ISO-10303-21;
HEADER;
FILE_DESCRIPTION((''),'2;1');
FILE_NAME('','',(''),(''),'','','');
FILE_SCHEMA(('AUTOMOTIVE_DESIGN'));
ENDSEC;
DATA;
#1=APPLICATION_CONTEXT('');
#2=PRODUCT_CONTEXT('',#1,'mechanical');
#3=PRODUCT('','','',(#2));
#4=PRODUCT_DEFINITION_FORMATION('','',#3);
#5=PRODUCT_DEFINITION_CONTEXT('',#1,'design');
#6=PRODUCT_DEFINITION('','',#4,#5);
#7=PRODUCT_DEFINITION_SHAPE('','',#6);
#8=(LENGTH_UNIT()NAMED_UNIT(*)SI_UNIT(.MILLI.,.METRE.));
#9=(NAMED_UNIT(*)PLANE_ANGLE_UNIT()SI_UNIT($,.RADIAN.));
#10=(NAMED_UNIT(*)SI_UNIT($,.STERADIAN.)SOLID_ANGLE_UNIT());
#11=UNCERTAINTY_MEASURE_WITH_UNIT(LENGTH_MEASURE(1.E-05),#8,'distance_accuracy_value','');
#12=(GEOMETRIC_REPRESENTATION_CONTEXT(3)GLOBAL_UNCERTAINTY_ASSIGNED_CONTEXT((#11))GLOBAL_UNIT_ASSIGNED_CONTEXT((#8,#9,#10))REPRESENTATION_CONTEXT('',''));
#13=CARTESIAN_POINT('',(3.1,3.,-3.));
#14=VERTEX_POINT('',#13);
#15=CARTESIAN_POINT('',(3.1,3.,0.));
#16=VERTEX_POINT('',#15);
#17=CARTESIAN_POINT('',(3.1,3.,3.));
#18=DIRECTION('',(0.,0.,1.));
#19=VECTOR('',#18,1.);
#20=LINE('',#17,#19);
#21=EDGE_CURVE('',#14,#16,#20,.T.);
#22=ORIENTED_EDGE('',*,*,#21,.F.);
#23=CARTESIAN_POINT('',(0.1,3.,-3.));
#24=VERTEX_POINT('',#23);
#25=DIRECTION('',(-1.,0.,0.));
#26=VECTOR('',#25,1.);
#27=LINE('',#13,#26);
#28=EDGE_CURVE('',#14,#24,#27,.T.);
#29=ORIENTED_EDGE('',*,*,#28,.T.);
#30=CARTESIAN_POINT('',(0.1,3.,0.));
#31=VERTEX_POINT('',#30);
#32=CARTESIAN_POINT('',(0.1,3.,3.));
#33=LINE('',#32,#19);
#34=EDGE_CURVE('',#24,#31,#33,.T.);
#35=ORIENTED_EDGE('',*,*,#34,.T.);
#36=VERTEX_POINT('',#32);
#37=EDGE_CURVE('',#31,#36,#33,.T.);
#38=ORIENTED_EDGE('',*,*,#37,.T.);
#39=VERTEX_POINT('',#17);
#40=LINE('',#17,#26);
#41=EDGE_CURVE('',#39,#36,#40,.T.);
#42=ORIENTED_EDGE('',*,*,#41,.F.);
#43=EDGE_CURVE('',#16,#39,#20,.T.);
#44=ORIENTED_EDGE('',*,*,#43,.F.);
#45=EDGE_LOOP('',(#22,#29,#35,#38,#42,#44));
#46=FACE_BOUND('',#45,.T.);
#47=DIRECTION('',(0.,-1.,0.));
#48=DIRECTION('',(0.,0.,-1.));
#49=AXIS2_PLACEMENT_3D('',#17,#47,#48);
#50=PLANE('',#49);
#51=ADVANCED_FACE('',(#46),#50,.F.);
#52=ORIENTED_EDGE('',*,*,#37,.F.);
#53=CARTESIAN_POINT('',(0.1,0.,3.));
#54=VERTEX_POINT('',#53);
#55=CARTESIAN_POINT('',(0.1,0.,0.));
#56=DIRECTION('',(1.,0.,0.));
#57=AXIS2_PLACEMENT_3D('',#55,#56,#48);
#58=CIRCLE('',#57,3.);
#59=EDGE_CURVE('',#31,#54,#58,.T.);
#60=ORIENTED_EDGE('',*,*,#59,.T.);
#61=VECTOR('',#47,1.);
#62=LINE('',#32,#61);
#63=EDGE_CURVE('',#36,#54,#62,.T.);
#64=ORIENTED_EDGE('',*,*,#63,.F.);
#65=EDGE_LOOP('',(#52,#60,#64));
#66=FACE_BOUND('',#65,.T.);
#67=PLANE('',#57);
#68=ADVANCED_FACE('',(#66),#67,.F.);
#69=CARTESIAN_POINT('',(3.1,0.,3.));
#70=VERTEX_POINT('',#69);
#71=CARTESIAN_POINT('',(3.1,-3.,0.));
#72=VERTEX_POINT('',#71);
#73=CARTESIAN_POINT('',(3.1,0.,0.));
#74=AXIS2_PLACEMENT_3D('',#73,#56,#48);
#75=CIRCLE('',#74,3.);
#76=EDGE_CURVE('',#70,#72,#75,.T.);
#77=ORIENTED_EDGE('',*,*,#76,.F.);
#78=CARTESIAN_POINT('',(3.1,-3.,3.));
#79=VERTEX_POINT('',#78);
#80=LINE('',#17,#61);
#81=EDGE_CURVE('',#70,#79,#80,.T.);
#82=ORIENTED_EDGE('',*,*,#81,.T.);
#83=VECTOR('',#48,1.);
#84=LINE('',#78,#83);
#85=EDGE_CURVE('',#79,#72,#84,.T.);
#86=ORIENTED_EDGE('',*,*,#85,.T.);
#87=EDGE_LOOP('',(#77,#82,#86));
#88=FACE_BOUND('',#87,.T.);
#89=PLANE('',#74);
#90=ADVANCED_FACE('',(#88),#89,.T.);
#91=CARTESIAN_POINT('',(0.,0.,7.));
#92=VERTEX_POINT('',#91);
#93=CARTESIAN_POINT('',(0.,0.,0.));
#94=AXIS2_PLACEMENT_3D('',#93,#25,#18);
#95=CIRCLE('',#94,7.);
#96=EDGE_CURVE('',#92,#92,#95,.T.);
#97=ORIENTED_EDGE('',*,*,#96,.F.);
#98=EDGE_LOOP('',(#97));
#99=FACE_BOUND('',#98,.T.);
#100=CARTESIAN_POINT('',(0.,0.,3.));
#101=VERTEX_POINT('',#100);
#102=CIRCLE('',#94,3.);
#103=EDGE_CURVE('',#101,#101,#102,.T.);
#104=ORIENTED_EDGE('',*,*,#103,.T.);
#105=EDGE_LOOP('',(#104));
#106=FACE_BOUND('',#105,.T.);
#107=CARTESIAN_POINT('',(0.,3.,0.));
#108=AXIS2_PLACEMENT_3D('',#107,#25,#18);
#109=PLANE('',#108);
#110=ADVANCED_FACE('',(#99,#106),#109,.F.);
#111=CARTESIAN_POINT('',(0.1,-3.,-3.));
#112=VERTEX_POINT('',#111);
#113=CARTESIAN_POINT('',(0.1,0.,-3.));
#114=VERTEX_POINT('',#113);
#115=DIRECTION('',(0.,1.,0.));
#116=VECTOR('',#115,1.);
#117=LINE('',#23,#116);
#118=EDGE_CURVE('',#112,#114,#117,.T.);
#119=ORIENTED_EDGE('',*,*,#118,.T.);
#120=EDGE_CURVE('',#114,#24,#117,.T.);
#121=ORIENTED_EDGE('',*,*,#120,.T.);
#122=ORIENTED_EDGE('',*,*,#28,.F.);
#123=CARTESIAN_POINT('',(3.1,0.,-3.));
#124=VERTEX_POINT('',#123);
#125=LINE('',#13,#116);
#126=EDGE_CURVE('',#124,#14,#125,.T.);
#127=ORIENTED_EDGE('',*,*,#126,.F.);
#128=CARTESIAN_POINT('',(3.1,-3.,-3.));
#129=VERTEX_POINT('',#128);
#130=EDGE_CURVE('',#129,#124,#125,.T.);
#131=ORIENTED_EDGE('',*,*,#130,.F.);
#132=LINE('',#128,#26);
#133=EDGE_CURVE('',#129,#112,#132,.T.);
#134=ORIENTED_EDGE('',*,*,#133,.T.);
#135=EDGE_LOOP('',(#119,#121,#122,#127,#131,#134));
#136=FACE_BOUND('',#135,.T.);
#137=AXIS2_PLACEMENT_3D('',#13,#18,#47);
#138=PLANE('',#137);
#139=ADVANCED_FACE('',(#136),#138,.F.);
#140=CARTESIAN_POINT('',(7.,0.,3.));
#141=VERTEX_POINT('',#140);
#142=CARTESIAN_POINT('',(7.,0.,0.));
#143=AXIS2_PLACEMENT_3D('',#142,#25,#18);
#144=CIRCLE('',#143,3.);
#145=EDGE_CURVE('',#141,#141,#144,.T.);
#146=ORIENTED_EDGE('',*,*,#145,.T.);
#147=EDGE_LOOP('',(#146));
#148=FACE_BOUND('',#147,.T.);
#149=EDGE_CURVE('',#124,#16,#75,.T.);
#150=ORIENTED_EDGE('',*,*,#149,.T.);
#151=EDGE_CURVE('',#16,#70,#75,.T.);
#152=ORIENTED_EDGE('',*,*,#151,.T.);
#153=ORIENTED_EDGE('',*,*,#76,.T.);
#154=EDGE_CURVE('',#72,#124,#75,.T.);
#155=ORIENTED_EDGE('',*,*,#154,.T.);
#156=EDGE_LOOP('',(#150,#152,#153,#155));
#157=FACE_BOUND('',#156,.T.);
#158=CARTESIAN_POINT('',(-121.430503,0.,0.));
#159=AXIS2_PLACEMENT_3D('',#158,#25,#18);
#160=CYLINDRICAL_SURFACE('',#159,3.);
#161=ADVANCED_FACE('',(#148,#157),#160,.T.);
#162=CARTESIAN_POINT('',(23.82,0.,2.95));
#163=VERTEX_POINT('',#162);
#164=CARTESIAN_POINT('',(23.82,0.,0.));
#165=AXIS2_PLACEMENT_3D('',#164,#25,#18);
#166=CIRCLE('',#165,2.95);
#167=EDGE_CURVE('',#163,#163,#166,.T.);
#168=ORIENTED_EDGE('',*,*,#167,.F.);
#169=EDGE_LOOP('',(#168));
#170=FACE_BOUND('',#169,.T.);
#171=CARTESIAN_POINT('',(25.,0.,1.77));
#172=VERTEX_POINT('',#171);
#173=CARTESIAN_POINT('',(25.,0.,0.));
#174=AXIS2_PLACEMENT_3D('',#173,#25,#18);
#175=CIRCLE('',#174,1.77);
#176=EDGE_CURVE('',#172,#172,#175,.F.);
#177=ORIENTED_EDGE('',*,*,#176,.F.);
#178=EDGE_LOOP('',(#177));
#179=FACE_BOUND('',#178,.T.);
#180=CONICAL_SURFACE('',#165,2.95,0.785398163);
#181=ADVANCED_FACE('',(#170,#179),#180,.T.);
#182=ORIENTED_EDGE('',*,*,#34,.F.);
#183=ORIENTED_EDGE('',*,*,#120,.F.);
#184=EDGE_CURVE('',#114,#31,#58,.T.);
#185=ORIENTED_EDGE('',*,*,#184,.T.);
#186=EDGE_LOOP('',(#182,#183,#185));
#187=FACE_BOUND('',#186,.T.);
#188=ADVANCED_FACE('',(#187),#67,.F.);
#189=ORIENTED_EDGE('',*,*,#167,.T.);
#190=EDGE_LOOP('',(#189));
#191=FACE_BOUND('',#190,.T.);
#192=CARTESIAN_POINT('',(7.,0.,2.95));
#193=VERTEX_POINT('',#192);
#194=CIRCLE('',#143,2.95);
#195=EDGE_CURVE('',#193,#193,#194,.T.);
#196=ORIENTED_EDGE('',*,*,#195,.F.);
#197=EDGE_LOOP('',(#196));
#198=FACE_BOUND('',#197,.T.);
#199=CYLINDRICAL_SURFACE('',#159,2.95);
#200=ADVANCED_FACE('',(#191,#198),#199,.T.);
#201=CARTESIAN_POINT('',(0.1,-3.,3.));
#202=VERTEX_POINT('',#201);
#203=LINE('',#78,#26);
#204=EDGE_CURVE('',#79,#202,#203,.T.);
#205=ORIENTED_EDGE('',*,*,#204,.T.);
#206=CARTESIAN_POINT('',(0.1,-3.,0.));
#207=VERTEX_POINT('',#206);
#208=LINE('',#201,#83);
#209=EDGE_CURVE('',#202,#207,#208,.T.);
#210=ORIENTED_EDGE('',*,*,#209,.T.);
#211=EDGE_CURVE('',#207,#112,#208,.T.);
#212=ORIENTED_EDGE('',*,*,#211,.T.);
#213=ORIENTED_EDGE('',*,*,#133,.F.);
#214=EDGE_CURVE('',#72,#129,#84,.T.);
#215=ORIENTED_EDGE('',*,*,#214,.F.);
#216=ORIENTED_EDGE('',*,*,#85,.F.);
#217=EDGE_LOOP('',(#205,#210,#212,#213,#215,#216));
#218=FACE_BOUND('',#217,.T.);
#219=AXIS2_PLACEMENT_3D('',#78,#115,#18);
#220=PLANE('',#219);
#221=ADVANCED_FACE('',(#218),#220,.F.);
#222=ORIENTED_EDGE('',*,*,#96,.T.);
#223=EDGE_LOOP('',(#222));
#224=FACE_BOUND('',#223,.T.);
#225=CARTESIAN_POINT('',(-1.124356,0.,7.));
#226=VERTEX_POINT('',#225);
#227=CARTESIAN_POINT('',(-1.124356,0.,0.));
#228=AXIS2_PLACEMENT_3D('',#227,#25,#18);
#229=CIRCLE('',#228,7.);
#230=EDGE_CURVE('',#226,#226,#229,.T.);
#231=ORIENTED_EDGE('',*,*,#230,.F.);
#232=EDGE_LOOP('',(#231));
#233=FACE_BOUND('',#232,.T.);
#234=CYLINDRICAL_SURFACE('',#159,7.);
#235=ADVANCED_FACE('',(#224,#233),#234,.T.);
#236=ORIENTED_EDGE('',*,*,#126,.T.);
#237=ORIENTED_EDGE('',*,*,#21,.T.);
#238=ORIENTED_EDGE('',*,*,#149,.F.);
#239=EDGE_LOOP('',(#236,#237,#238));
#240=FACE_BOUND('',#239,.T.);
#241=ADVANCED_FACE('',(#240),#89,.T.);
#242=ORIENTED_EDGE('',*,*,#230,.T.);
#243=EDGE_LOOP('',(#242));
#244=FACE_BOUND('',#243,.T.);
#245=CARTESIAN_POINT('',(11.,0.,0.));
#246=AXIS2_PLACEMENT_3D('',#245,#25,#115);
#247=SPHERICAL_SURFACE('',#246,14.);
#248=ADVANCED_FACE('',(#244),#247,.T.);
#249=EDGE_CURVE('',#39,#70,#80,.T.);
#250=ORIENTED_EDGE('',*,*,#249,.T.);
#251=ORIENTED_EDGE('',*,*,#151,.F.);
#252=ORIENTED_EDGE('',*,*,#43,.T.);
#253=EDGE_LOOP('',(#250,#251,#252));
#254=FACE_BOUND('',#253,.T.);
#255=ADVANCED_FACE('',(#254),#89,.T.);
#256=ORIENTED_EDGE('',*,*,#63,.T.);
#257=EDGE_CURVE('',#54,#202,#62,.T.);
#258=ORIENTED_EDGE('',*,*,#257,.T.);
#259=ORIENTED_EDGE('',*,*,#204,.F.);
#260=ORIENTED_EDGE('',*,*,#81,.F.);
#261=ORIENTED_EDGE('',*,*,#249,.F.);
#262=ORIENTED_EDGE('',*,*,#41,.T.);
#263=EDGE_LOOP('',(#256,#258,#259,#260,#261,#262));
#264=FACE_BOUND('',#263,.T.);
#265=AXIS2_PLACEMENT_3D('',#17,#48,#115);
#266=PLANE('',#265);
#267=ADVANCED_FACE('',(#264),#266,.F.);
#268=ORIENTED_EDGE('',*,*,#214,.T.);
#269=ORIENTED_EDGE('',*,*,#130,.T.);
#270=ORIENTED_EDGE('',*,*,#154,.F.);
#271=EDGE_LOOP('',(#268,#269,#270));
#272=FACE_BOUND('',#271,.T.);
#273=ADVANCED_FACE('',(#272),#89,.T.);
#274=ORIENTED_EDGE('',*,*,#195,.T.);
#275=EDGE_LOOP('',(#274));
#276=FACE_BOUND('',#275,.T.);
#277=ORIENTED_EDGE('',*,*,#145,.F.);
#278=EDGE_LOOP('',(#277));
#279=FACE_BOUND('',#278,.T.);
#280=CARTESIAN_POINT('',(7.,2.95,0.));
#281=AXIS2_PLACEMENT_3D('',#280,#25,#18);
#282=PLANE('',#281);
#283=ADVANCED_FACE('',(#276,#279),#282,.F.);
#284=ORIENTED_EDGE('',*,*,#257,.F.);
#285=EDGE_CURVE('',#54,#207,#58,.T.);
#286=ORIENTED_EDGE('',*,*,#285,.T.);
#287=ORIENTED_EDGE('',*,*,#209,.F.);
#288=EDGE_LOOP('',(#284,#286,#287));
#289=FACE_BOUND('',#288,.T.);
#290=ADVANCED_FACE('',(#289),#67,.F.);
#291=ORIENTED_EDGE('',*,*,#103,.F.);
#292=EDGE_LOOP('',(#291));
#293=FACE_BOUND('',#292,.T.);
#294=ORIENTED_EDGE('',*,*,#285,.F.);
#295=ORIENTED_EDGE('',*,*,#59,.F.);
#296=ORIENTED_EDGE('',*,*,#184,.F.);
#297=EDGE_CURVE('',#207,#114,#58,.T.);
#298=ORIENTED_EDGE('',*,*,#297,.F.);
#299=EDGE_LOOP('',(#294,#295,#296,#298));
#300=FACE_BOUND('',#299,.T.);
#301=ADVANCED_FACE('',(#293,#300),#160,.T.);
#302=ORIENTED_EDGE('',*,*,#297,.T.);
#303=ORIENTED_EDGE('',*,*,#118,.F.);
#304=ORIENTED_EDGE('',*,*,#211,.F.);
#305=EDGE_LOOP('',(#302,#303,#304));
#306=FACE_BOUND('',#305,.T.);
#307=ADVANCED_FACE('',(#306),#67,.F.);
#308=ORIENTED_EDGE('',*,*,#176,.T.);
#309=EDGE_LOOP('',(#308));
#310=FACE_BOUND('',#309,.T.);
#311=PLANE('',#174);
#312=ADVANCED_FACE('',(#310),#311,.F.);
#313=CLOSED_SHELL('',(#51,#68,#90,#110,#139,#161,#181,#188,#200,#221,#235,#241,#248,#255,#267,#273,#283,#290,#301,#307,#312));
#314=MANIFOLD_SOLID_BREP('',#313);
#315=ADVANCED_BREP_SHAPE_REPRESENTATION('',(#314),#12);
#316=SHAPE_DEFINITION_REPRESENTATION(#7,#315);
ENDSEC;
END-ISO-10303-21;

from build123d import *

# Parameters (mm, degrees)
EXTRUDE_START   = 0.1
SKETCH_2_W      = 6
SKETCH_2_H      = 6
EXTRUDE_1_DEPTH = 3
CHAMFER_1_SIZE  = 1.18


with BuildPart() as part:
    # Эскиз1 → Повернуть1 (revolve)
    with BuildSketch(Plane.XY, mode=Mode.PRIVATE) as revolve_1_sk:
        with BuildLine():
            Line((25, 0), (25, 2.95))
            Line((25, 2.95), (7, 2.95))
            Line((7, 2.95), (7, 3))
            Line((7, 3), (0, 3))
            Line((0, 3), (0, 7))
            Line((0, 7), (-1.124355653, 7))
            ThreePointArc((-1.124355653, 7), (-2.522961568, 3.623466631), (-3, 0))
            Line((-3, 0), (25, 0))
        make_face()
    revolve(revolve_1_sk.sketch.rotate(Axis((-121.430503085, 0, 0), (1, 0, 0)), 90), axis=Axis((-121.430503085, 0, 0), (1, 0, 0)))

    # Эскиз2 → Бобышка-Вытянуть1 (add)
    with BuildSketch(Plane(origin=(0, 0, 0), x_dir=(0, 0, -1), z_dir=(1, 0, 0)).offset(EXTRUDE_START)):
        Rectangle(SKETCH_2_W, SKETCH_2_H)
    extrude(amount=EXTRUDE_1_DEPTH)

    # Фаска1
    chamfer_1_edges = [part.edges().sort_by_distance(p)[0] for p in [
        (25, 0, -2.95),
    ]]
    chamfer(chamfer_1_edges, length=CHAMFER_1_SIZE)


solid = part.part
